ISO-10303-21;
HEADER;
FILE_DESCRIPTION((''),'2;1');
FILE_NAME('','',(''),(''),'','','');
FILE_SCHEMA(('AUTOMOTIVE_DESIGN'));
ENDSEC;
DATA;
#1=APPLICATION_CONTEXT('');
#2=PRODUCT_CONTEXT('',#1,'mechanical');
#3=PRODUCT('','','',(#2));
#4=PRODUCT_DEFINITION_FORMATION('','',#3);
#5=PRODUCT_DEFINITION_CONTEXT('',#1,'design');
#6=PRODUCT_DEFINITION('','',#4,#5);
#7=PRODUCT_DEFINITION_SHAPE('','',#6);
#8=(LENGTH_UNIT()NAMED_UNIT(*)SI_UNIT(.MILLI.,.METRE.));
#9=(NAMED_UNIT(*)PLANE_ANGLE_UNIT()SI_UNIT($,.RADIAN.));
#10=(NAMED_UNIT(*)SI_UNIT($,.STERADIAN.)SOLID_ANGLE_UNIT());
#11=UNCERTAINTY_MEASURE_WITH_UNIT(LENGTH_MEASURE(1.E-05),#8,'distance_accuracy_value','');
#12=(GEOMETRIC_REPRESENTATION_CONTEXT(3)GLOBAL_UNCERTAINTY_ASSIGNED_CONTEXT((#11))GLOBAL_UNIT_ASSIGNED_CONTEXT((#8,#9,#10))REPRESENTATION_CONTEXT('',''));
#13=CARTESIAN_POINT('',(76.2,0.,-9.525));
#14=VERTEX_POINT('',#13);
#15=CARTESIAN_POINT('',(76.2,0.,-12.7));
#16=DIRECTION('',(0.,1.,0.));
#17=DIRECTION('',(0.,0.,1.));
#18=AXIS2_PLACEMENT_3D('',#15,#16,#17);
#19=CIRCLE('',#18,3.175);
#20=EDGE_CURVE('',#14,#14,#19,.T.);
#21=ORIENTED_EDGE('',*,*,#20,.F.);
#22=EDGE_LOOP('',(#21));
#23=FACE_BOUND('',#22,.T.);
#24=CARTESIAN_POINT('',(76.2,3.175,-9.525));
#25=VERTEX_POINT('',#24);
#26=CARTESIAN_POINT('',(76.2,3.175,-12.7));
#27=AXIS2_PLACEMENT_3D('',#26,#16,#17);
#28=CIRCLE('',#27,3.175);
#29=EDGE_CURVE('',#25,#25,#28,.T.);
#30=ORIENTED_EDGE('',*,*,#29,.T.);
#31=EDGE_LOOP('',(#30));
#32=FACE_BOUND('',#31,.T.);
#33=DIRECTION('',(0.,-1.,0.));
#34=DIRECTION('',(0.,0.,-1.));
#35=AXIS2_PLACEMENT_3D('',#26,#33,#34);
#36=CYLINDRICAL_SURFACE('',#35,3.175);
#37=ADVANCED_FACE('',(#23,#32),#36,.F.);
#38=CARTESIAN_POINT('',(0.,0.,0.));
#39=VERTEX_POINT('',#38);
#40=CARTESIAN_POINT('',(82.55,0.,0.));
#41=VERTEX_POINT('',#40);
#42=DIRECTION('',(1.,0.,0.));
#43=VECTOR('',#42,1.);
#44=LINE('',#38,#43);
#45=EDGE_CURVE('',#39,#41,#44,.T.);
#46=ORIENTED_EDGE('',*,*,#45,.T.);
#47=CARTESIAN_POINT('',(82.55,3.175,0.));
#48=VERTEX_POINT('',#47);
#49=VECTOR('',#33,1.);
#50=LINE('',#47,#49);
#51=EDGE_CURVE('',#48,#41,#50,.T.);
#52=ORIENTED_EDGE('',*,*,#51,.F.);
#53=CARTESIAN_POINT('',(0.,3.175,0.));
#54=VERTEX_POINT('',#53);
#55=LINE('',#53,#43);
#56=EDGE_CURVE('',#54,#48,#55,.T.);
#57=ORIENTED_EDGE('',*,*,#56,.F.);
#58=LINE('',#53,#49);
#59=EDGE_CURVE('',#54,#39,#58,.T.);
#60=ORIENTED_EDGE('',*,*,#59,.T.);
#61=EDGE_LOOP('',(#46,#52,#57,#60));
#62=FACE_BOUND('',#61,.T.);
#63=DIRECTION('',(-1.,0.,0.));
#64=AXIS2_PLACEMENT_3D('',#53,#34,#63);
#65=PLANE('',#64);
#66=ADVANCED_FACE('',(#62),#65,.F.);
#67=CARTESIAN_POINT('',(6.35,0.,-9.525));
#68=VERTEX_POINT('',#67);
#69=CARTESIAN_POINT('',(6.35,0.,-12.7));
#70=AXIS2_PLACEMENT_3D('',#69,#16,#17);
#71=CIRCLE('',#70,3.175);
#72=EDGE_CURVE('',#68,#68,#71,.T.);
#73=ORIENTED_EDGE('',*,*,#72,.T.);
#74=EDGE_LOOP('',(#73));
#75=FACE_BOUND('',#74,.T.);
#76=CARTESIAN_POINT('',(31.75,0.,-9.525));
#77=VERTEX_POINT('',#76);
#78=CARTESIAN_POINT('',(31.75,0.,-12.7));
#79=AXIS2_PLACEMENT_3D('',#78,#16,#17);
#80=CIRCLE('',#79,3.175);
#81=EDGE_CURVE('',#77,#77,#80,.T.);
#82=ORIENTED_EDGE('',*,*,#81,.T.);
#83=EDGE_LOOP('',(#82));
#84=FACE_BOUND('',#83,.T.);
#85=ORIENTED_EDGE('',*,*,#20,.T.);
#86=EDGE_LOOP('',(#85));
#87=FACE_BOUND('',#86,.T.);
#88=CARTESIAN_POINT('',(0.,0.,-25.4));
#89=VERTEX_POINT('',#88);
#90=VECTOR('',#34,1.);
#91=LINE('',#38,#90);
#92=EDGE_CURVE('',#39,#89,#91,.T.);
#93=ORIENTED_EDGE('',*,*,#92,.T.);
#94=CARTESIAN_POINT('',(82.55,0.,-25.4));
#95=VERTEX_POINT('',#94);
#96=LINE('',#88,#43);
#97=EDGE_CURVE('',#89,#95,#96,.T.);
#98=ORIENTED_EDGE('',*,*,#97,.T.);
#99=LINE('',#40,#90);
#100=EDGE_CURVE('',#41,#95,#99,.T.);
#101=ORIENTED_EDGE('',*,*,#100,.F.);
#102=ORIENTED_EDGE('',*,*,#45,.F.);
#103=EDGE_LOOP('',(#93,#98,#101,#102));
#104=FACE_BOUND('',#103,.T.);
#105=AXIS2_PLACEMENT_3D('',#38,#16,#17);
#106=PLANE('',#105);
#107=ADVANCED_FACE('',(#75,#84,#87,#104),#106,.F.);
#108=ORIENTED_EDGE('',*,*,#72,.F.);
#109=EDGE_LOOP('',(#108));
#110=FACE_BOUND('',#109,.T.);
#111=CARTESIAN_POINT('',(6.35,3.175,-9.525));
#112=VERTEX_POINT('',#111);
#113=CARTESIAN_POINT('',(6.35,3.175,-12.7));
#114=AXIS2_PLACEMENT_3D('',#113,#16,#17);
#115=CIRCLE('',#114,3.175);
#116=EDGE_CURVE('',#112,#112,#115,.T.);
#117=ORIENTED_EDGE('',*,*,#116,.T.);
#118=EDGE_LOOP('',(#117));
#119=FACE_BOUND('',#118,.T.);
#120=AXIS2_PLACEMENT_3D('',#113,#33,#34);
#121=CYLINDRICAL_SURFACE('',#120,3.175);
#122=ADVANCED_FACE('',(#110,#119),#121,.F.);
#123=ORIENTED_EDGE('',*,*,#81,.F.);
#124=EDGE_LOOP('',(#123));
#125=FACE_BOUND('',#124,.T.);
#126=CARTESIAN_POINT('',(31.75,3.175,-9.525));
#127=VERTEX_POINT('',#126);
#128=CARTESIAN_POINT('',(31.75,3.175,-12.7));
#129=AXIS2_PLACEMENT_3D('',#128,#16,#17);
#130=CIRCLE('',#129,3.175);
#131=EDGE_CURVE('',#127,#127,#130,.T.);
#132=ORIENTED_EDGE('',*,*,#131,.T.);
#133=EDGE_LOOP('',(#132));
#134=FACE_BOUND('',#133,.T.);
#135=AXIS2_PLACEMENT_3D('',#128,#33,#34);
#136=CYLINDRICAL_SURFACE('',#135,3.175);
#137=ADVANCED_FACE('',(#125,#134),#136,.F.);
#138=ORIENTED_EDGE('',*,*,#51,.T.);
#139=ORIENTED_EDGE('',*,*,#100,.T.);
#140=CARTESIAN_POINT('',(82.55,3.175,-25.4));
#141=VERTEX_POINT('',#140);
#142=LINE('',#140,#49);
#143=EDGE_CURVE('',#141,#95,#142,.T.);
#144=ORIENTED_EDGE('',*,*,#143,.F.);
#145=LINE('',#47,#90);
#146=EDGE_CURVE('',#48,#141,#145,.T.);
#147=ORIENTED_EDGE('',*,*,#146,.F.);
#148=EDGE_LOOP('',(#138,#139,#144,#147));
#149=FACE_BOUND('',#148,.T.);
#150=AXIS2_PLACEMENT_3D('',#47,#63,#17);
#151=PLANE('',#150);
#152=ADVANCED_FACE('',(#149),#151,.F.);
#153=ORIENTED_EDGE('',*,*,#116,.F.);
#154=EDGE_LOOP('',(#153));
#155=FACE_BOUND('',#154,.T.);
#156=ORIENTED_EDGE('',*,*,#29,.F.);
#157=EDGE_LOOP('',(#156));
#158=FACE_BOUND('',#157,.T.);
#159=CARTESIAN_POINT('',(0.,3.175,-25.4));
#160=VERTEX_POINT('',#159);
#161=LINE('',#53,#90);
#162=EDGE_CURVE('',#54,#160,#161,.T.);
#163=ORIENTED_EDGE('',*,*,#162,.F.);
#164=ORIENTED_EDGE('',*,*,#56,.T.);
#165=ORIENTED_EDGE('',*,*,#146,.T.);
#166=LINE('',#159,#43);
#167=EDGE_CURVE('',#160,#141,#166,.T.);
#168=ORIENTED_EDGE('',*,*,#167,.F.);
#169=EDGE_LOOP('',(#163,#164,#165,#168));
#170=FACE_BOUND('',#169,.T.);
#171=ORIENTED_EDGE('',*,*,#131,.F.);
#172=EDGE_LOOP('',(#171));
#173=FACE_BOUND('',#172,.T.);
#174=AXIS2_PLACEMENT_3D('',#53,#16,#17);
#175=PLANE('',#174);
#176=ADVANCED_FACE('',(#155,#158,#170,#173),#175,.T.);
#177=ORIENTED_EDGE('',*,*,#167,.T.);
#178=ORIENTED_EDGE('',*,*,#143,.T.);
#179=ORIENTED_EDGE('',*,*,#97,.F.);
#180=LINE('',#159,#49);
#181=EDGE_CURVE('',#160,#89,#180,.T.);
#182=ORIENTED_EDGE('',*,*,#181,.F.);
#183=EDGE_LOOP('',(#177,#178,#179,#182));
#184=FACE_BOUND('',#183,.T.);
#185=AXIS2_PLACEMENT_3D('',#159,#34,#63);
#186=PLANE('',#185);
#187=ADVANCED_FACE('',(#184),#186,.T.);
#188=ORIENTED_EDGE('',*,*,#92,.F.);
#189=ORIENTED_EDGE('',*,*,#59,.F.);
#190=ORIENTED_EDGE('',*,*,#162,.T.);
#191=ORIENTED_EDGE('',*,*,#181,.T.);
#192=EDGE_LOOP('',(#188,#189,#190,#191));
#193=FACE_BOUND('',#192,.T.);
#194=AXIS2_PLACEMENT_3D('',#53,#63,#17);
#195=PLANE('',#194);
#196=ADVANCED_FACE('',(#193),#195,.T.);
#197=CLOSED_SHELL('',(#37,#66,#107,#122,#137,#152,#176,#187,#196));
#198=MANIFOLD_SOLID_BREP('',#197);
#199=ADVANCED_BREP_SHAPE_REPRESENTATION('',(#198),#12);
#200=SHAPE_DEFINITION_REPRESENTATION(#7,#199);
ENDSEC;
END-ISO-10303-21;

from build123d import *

# Parameters (mm, degrees)
BOSS_EXTRUDE1_DEPTH = 3.175


with BuildPart() as part:
    # Sketch1 → Boss-Extrude1 (new body)
    with BuildSketch(Plane(origin=(0, 0, 0), x_dir=(1, 0, 0), z_dir=(0, 1, 0))):
        Polygon((0, 25.4), (0, 12.7), (0, 0), (82.55, 0), (82.55, 25.4), align=None)
        with BuildLine():
            ThreePointArc((9.525, 12.7), (6.35, 9.525), (3.175, 12.7))
            ThreePointArc((3.175, 12.7), (6.35, 15.875), (9.525, 12.7))
        make_face(mode=Mode.SUBTRACT)
        with BuildLine():
            ThreePointArc((34.925, 12.7), (31.75, 9.525), (28.575, 12.7))
            ThreePointArc((28.575, 12.7), (31.75, 15.875), (34.925, 12.7))
        make_face(mode=Mode.SUBTRACT)
        with BuildLine():
            ThreePointArc((79.375, 12.7), (76.2, 9.525), (73.025, 12.7))
            ThreePointArc((73.025, 12.7), (76.2, 15.875), (79.375, 12.7))
        make_face(mode=Mode.SUBTRACT)
    extrude(amount=BOSS_EXTRUDE1_DEPTH)


solid = part.part
